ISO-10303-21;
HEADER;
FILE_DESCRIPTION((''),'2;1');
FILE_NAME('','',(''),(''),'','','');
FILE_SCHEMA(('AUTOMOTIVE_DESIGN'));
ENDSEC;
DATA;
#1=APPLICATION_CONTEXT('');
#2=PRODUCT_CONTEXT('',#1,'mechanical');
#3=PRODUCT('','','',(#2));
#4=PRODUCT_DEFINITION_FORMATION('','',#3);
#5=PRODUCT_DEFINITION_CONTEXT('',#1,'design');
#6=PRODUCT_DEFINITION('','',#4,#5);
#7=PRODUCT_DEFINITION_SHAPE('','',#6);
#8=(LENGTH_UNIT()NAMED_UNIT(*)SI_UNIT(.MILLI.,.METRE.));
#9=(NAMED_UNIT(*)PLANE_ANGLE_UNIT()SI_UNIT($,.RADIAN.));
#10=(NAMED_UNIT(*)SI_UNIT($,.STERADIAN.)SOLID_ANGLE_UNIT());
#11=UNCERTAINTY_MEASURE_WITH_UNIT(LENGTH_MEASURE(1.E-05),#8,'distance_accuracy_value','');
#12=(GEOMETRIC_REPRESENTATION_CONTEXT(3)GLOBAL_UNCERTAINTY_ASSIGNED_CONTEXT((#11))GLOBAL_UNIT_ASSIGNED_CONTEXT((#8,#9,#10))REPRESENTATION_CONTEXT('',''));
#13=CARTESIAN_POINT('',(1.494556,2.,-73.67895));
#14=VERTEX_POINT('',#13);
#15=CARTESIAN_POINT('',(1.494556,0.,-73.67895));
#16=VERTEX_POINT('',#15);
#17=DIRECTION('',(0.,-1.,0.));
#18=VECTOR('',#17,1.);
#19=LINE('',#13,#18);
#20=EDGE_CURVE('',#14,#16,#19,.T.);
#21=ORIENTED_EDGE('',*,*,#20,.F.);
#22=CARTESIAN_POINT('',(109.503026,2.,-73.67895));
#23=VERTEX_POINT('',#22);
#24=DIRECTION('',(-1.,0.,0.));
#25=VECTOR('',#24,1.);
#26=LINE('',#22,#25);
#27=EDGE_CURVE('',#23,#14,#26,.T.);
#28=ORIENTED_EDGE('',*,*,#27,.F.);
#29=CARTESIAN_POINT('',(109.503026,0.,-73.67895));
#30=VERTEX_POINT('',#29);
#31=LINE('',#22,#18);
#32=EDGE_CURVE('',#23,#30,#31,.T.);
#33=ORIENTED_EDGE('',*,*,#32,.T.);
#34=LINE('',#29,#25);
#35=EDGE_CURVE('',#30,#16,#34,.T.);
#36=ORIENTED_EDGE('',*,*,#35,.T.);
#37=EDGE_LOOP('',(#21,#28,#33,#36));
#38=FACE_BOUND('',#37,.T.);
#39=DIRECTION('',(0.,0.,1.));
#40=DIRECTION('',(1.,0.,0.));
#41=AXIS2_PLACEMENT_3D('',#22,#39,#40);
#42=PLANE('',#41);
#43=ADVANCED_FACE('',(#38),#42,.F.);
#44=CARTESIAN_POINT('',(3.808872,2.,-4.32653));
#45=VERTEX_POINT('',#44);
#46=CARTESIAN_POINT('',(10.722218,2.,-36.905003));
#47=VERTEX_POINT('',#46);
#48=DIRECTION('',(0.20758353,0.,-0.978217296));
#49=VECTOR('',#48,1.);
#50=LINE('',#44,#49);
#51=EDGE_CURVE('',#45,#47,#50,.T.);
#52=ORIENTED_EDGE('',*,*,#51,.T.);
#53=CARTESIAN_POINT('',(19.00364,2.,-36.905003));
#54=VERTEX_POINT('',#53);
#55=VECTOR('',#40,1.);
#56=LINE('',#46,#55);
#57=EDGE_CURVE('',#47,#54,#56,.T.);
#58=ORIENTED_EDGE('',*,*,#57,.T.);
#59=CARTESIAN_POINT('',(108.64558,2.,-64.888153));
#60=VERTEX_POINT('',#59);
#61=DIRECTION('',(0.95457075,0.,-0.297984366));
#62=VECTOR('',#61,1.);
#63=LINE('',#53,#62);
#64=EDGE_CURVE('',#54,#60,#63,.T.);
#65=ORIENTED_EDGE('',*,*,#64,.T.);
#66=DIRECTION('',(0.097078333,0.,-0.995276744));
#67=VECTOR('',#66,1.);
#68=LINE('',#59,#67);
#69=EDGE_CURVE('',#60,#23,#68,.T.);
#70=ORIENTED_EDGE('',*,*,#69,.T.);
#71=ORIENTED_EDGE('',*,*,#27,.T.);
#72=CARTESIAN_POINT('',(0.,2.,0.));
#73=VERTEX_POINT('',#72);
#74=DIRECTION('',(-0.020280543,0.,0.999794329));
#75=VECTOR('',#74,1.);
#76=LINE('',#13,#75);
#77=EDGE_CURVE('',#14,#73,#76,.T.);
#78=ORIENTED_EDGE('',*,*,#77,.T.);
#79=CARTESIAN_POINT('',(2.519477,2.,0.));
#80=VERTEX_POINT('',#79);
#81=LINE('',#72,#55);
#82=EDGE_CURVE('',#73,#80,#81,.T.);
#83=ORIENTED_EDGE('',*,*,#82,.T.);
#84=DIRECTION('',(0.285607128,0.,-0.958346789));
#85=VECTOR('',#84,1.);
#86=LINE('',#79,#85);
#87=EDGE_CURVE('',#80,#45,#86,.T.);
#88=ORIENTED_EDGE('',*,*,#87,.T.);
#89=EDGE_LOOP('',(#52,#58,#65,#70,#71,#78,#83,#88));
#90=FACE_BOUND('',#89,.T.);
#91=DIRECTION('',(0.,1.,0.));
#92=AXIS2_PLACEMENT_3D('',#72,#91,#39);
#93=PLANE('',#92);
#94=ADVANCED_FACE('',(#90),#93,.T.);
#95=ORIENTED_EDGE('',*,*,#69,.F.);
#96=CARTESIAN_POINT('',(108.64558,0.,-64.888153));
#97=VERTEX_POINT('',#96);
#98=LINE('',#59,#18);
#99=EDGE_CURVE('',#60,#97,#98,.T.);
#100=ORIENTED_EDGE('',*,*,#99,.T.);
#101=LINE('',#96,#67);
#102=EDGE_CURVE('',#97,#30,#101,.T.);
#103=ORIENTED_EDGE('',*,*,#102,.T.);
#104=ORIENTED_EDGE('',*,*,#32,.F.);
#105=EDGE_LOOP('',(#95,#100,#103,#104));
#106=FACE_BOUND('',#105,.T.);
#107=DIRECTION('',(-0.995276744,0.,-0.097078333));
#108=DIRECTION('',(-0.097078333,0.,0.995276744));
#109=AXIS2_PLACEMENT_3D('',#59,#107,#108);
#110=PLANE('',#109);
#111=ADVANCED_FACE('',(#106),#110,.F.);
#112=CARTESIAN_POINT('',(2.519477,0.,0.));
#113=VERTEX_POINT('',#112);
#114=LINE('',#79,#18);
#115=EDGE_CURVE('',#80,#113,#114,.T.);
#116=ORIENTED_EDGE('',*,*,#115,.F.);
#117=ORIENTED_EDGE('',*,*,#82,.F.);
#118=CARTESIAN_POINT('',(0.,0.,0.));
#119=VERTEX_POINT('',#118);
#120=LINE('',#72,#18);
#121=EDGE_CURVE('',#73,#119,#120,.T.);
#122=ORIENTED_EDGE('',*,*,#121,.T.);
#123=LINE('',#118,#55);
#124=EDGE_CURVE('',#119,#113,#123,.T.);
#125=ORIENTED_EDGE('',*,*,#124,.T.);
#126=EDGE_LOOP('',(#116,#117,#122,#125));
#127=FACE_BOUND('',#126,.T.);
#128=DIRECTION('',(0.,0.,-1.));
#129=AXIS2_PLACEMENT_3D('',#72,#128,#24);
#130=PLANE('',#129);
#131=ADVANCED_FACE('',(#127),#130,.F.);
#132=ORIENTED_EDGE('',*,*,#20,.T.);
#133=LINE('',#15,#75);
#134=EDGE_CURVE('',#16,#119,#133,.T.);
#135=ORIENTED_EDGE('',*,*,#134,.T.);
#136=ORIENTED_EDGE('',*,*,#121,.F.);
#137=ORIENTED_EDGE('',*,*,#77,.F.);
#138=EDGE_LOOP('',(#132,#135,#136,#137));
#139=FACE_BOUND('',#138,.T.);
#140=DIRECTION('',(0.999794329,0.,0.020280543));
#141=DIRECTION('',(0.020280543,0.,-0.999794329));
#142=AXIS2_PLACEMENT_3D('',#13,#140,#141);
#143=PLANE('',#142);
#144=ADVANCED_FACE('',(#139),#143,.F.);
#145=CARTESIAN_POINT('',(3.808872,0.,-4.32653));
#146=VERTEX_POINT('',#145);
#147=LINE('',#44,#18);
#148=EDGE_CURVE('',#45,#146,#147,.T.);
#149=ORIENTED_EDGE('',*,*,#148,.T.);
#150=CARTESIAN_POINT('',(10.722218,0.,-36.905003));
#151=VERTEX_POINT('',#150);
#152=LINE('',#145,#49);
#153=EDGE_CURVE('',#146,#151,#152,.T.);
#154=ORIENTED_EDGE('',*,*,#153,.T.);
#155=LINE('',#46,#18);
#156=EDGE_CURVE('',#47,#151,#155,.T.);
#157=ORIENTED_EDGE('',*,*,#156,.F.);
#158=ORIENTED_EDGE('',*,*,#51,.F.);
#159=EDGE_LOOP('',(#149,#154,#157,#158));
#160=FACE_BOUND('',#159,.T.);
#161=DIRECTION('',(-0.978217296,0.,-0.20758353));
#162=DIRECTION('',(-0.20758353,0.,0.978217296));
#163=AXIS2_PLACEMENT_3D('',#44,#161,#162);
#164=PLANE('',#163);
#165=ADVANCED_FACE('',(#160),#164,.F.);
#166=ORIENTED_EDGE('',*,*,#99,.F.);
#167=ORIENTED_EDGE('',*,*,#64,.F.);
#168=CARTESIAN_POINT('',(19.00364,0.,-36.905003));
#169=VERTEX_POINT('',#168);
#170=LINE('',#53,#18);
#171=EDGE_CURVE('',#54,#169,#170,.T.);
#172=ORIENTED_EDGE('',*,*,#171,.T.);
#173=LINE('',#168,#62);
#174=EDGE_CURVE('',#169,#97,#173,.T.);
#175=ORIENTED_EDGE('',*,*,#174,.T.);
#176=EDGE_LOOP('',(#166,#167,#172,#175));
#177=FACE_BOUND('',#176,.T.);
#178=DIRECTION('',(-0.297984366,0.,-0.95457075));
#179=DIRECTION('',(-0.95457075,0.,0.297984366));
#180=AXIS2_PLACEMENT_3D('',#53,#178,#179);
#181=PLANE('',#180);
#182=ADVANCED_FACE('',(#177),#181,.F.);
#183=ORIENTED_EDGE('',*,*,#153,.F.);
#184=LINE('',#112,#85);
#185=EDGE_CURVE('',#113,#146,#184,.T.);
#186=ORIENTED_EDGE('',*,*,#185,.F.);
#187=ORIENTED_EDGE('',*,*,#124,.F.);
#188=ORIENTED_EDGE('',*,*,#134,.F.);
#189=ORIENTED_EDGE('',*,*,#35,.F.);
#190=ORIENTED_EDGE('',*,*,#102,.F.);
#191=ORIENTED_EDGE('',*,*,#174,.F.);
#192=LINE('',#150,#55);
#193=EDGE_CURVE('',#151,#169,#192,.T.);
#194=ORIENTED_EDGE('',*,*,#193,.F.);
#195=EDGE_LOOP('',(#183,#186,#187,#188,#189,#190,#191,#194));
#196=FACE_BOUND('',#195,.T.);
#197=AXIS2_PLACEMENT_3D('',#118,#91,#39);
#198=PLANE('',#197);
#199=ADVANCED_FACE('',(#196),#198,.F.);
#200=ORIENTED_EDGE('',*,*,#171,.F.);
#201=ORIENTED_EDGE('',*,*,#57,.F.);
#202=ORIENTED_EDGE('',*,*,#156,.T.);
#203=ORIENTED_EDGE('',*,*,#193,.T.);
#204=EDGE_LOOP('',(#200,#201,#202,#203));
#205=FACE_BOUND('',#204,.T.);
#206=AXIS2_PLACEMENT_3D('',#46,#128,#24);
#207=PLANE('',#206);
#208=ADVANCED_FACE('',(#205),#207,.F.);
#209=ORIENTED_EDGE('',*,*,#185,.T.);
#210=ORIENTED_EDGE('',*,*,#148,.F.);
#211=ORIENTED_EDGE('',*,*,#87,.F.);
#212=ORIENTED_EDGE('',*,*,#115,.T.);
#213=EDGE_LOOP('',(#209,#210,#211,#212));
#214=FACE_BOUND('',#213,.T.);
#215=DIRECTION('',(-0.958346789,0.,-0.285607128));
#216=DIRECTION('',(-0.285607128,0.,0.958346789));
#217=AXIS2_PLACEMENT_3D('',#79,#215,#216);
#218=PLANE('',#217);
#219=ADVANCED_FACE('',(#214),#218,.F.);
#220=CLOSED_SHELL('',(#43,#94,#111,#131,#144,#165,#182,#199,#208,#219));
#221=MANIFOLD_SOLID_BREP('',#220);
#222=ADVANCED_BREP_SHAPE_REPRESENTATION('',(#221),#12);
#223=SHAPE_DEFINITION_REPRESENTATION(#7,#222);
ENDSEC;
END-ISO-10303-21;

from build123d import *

# Parameters (mm, degrees)
BOSS_EXTRU_1_DEPTH = 2


with BuildPart() as part:
    # Esquisse1 → Boss.-Extru.1 (new body)
    with BuildSketch(Plane(origin=(0, 0, 0), x_dir=(1, 0, 0), z_dir=(0, 1, 0))):
        Polygon((1.494556489, 73.678949979), (0, 0), (2.519477084, 0), (3.808872229, 4.326529616), (10.722218088, 36.905002938), (19.003639691, 36.905002938), (108.645580277, 64.888153315), (109.5030261, 73.678949979), align=None)
    extrude(amount=BOSS_EXTRU_1_DEPTH)


solid = part.part
